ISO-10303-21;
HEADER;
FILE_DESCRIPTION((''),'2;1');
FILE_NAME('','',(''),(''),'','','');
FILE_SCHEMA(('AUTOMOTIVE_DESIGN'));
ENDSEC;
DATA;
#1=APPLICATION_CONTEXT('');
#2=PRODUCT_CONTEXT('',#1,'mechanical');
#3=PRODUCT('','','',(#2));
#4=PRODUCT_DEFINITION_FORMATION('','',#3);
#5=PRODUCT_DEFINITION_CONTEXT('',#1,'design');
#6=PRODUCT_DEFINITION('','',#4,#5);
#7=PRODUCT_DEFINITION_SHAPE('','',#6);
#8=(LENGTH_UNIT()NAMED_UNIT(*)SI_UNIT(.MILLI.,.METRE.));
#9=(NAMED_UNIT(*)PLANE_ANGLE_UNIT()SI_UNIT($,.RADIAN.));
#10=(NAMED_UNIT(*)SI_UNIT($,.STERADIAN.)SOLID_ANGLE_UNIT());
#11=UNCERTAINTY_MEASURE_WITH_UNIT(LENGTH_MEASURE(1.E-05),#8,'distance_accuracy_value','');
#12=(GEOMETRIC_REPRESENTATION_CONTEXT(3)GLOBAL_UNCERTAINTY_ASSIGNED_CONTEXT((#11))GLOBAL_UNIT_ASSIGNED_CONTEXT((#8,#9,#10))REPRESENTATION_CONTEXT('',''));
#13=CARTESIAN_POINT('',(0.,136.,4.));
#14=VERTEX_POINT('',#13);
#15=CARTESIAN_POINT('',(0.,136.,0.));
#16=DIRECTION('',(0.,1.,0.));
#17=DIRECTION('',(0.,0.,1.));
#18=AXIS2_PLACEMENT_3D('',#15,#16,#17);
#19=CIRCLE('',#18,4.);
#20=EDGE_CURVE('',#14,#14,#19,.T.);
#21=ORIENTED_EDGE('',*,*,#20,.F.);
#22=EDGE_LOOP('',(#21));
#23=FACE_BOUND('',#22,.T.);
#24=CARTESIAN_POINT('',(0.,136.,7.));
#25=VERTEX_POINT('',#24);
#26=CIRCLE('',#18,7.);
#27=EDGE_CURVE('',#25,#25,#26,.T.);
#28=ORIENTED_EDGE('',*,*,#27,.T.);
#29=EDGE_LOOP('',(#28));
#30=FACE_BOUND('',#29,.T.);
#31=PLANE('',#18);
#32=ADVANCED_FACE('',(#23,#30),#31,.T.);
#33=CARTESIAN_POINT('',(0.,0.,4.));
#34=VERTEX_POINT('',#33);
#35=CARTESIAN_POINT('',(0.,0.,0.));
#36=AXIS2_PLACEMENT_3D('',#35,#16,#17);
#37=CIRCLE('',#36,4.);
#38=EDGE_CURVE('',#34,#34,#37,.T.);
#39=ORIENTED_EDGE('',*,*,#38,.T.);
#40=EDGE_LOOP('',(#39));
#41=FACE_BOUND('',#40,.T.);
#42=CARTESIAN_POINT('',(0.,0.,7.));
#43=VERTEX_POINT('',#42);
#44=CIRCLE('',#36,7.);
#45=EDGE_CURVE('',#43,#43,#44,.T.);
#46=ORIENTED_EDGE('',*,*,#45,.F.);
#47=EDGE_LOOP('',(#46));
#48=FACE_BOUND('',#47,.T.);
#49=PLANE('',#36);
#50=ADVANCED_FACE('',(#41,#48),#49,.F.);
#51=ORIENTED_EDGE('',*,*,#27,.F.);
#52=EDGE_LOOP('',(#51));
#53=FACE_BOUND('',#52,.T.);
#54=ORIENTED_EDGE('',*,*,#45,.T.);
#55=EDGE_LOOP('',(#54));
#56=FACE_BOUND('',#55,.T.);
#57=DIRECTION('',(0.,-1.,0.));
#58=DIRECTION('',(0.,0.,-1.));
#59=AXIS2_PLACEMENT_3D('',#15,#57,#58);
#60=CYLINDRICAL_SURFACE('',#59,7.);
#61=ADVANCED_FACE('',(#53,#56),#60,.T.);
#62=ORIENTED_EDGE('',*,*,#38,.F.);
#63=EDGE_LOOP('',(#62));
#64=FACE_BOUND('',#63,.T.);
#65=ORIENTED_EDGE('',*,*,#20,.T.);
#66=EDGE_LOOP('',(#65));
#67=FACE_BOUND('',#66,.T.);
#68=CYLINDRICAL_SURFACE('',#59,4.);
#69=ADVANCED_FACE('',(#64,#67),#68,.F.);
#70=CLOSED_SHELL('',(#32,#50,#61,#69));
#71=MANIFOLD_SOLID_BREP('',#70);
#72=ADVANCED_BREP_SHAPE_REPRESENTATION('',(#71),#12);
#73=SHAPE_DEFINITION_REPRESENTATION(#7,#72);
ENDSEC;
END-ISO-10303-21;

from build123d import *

# Parameters (mm, degrees)
SKETCH_1_R      = 7
SKETCH_1_R_2    = 4
EXTRUDE_1_DEPTH = 136


with BuildPart() as part:
    # 草图1 → 凸台-拉伸1 (new body)
    with BuildSketch(Plane(origin=(0, 0, 0), x_dir=(1, 0, 0), z_dir=(0, 1, 0))):
        with Locations(Location((0, 0, 0), (0, 0, 270))):
            Circle(SKETCH_1_R)
        with Locations(Location((0, 0, 0), (0, 0, 270))):
            Circle(SKETCH_1_R_2, mode=Mode.SUBTRACT)
    extrude(amount=EXTRUDE_1_DEPTH)


solid = part.part
